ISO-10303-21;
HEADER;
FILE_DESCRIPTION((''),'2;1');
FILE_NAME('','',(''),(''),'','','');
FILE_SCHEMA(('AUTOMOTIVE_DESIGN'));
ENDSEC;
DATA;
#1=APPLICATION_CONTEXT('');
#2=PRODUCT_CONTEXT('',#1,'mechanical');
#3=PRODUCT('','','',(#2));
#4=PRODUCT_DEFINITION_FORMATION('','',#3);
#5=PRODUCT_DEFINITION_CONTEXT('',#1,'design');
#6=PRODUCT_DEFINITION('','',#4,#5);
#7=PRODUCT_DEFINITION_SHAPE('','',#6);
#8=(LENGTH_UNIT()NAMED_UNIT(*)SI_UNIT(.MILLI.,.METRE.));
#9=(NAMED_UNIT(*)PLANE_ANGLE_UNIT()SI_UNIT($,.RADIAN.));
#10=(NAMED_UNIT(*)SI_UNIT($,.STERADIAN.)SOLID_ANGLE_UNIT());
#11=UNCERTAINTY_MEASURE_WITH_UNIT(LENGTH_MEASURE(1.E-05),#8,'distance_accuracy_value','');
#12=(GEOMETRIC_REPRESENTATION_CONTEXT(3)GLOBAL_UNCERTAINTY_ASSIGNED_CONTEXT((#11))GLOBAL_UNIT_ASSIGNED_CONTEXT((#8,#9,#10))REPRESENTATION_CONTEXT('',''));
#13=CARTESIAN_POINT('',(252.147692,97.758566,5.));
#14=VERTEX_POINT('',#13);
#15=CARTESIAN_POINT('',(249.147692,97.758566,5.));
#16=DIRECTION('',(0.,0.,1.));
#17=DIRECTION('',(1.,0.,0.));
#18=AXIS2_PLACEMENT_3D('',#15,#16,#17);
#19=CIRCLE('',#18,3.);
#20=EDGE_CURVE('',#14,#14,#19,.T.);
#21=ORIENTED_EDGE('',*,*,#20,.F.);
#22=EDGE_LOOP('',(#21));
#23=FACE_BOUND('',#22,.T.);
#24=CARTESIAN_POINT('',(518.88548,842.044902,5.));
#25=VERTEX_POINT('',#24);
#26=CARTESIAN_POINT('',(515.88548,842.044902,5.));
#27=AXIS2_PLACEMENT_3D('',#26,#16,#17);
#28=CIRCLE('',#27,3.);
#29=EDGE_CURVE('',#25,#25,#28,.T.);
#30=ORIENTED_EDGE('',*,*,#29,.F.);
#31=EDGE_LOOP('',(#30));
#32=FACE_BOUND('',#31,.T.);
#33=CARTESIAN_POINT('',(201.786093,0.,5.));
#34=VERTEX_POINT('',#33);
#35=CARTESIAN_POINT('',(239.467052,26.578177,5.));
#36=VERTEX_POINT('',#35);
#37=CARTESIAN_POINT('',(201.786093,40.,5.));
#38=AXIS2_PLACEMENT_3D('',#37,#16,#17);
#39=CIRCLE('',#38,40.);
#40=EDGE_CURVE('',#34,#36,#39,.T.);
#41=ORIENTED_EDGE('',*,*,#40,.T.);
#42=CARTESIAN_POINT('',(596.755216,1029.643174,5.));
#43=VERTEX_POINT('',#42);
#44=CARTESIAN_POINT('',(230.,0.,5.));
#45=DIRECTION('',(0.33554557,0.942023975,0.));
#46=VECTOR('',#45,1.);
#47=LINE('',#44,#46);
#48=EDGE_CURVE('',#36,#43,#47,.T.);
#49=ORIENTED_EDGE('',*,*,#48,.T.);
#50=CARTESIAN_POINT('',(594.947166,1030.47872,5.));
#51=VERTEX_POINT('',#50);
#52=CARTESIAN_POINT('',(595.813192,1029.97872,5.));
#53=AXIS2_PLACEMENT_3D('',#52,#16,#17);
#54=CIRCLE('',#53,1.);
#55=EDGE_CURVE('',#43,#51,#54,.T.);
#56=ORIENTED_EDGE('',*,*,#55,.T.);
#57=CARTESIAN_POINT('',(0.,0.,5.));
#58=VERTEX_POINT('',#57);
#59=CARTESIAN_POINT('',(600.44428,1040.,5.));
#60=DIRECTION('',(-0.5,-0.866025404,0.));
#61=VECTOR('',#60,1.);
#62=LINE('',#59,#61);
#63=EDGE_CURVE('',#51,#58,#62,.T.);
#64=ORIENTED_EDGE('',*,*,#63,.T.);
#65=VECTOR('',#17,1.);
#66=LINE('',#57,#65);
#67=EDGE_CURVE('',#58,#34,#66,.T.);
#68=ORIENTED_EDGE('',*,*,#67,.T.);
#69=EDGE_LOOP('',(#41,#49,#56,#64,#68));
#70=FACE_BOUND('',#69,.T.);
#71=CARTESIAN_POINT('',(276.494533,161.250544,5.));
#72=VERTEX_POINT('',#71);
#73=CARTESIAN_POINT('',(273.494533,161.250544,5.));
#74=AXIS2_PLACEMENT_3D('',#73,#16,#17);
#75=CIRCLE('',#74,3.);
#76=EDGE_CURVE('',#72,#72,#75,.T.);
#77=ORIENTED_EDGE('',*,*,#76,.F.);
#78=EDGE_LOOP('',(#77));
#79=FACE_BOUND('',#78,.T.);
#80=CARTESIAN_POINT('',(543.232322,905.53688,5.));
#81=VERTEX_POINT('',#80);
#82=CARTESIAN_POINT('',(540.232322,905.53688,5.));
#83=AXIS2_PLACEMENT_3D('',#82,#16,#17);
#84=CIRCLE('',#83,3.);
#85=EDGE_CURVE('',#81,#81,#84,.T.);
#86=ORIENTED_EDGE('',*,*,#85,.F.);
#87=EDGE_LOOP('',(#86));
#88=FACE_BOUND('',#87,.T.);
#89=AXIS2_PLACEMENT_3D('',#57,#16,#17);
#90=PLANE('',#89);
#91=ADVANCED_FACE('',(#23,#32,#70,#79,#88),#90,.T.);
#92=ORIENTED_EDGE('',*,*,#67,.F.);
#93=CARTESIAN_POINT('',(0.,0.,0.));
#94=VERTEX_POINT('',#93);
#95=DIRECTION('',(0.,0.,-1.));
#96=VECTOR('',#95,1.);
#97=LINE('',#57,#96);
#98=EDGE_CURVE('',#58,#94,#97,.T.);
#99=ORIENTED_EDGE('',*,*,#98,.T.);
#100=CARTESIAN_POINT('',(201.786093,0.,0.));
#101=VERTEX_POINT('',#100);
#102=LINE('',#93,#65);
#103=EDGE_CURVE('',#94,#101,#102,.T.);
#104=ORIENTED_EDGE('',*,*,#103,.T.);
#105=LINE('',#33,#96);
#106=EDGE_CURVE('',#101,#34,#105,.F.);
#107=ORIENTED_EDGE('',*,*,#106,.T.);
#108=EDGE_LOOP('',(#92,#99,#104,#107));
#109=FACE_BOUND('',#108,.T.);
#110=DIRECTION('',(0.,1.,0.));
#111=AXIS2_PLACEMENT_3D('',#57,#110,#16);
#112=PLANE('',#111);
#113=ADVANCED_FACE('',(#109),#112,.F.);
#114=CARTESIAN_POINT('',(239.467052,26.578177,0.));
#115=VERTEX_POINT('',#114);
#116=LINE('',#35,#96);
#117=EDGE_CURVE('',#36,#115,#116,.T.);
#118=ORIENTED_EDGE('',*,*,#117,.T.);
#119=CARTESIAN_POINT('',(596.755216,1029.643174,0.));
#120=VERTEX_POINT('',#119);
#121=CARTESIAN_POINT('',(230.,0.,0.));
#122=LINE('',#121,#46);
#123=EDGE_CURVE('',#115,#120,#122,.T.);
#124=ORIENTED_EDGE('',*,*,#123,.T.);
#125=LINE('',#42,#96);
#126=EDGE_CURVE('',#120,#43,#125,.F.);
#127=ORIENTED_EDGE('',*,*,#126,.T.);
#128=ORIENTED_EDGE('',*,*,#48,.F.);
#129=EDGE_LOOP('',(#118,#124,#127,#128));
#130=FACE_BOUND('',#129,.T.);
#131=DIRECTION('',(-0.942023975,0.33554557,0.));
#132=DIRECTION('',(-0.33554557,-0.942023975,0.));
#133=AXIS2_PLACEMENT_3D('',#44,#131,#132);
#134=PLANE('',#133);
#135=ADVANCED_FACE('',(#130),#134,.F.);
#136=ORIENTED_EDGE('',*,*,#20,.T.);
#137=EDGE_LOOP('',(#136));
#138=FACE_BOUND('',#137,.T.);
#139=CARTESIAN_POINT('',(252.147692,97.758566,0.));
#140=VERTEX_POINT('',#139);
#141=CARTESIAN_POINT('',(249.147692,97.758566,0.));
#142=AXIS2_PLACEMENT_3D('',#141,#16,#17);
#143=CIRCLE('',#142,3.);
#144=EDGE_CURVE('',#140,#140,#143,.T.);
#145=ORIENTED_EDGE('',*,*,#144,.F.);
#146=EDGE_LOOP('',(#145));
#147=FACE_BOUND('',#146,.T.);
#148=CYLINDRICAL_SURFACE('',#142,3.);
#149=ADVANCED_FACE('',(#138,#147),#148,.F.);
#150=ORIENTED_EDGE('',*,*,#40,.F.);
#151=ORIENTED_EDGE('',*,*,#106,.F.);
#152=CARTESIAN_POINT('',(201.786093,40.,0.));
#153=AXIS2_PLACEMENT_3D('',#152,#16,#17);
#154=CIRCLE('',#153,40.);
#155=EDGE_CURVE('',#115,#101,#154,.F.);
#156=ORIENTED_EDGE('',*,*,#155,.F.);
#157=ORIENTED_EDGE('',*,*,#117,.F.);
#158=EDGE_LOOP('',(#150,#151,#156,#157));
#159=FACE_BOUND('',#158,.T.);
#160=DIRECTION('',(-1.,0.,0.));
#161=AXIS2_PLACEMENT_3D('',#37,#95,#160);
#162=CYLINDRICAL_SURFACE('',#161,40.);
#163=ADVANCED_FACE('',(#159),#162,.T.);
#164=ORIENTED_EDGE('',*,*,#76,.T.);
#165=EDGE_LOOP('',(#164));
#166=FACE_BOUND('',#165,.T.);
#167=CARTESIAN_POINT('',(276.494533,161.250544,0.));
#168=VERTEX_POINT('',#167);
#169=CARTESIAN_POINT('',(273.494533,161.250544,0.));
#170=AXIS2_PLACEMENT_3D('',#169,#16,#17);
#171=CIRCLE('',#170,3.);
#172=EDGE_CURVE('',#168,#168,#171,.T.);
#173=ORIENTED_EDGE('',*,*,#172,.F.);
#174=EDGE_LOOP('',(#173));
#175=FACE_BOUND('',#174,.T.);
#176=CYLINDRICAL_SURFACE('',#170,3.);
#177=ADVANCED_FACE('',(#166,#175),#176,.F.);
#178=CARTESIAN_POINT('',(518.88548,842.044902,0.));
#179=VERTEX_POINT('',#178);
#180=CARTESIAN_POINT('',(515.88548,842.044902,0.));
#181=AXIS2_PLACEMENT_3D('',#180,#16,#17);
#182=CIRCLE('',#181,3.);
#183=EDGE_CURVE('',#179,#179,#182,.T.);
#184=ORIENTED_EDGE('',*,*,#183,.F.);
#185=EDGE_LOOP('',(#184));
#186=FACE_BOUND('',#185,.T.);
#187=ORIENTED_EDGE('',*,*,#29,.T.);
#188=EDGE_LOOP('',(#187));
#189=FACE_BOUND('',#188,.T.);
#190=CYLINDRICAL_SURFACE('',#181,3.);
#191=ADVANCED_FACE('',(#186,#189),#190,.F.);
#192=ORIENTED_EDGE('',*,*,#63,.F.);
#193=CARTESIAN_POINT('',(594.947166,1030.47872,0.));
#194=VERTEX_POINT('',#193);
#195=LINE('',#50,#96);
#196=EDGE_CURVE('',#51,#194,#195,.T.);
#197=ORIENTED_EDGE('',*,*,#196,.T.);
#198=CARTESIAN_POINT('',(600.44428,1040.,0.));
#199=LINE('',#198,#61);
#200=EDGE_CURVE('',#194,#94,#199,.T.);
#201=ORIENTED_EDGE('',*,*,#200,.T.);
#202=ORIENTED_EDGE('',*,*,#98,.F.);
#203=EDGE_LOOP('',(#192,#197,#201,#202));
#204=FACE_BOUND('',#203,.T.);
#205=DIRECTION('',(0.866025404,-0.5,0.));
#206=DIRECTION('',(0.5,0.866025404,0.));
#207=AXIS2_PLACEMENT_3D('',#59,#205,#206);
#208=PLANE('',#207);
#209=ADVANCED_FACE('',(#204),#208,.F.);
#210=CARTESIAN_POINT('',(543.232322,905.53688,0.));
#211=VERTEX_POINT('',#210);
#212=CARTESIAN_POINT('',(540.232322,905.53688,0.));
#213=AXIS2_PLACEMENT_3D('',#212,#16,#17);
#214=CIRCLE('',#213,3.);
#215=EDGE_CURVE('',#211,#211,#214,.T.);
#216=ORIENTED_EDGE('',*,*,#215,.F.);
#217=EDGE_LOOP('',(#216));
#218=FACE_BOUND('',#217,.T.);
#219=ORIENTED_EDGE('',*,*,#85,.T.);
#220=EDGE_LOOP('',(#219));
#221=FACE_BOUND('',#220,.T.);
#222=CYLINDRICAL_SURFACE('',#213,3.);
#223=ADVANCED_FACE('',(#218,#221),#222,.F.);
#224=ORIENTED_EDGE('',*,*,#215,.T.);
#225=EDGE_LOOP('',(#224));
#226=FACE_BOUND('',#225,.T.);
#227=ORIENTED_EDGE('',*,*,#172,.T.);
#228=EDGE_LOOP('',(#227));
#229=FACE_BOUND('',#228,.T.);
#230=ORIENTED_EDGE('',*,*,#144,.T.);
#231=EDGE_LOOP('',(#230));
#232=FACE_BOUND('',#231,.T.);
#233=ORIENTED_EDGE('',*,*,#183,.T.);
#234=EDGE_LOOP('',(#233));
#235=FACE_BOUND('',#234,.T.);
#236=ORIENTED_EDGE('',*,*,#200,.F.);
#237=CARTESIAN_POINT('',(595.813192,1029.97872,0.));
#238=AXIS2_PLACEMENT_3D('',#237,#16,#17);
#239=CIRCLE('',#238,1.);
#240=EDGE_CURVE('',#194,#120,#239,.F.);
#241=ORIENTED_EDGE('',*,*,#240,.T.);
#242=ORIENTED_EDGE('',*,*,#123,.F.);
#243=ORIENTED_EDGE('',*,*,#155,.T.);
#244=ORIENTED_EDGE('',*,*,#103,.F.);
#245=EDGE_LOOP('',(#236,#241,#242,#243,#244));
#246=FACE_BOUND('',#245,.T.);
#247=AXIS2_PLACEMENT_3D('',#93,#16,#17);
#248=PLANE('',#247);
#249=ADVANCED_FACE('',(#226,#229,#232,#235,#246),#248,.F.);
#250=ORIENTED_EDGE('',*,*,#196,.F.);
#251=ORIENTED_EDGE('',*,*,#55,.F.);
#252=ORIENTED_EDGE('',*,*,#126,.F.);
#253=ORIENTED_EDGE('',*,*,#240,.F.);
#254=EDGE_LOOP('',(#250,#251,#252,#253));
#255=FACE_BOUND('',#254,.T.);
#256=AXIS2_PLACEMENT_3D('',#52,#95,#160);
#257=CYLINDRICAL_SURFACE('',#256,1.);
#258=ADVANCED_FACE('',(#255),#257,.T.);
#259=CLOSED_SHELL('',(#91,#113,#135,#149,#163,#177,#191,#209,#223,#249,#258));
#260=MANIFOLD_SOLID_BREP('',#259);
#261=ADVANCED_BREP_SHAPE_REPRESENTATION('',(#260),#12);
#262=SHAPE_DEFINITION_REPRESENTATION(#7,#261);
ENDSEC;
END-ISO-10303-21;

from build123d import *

# Parameters (mm, degrees)
BOSS_EXTRUDE1_DEPTH = 5
FILLET1_R           = 40
FILLET2_R           = 1
SKETCH2_R           = 3
CUT_EXTRUDE1_DEPTH  = 1192.271634267


with BuildPart() as part:
    # Sketch1 → Boss-Extrude1 (new body)
    with BuildSketch(Plane.XY):
        Polygon((0, 0), (230, 0), (600.444279957, 1040), align=None)
    extrude(amount=BOSS_EXTRUDE1_DEPTH)

    # Fillet1
    fillet1_edges = [part.edges().sort_by_distance(p)[0] for p in [
        (230, 0, 2.5),
    ]]
    fillet(fillet1_edges, radius=FILLET1_R)

    # Fillet2
    fillet2_edges = [part.edges().sort_by_distance(p)[0] for p in [
        (600.444279957, 1040, 2.5),
    ]]
    fillet(fillet2_edges, radius=FILLET2_R)

    # Sketch2 → Cut-Extrude1 (cut, through all)
    with BuildSketch(Plane.XY.offset(5)):
        with Locations((249.147691634, 97.758565682)):
            Circle(SKETCH2_R)
        with Locations((273.494533389, 161.250543889)):
            Circle(SKETCH2_R)
        with Locations((515.885480129, 842.044902128)):
            Circle(SKETCH2_R)
        with Locations((540.232321884, 905.536880334)):
            Circle(SKETCH2_R)
    extrude(amount=-CUT_EXTRUDE1_DEPTH, mode=Mode.SUBTRACT)


solid = part.part
